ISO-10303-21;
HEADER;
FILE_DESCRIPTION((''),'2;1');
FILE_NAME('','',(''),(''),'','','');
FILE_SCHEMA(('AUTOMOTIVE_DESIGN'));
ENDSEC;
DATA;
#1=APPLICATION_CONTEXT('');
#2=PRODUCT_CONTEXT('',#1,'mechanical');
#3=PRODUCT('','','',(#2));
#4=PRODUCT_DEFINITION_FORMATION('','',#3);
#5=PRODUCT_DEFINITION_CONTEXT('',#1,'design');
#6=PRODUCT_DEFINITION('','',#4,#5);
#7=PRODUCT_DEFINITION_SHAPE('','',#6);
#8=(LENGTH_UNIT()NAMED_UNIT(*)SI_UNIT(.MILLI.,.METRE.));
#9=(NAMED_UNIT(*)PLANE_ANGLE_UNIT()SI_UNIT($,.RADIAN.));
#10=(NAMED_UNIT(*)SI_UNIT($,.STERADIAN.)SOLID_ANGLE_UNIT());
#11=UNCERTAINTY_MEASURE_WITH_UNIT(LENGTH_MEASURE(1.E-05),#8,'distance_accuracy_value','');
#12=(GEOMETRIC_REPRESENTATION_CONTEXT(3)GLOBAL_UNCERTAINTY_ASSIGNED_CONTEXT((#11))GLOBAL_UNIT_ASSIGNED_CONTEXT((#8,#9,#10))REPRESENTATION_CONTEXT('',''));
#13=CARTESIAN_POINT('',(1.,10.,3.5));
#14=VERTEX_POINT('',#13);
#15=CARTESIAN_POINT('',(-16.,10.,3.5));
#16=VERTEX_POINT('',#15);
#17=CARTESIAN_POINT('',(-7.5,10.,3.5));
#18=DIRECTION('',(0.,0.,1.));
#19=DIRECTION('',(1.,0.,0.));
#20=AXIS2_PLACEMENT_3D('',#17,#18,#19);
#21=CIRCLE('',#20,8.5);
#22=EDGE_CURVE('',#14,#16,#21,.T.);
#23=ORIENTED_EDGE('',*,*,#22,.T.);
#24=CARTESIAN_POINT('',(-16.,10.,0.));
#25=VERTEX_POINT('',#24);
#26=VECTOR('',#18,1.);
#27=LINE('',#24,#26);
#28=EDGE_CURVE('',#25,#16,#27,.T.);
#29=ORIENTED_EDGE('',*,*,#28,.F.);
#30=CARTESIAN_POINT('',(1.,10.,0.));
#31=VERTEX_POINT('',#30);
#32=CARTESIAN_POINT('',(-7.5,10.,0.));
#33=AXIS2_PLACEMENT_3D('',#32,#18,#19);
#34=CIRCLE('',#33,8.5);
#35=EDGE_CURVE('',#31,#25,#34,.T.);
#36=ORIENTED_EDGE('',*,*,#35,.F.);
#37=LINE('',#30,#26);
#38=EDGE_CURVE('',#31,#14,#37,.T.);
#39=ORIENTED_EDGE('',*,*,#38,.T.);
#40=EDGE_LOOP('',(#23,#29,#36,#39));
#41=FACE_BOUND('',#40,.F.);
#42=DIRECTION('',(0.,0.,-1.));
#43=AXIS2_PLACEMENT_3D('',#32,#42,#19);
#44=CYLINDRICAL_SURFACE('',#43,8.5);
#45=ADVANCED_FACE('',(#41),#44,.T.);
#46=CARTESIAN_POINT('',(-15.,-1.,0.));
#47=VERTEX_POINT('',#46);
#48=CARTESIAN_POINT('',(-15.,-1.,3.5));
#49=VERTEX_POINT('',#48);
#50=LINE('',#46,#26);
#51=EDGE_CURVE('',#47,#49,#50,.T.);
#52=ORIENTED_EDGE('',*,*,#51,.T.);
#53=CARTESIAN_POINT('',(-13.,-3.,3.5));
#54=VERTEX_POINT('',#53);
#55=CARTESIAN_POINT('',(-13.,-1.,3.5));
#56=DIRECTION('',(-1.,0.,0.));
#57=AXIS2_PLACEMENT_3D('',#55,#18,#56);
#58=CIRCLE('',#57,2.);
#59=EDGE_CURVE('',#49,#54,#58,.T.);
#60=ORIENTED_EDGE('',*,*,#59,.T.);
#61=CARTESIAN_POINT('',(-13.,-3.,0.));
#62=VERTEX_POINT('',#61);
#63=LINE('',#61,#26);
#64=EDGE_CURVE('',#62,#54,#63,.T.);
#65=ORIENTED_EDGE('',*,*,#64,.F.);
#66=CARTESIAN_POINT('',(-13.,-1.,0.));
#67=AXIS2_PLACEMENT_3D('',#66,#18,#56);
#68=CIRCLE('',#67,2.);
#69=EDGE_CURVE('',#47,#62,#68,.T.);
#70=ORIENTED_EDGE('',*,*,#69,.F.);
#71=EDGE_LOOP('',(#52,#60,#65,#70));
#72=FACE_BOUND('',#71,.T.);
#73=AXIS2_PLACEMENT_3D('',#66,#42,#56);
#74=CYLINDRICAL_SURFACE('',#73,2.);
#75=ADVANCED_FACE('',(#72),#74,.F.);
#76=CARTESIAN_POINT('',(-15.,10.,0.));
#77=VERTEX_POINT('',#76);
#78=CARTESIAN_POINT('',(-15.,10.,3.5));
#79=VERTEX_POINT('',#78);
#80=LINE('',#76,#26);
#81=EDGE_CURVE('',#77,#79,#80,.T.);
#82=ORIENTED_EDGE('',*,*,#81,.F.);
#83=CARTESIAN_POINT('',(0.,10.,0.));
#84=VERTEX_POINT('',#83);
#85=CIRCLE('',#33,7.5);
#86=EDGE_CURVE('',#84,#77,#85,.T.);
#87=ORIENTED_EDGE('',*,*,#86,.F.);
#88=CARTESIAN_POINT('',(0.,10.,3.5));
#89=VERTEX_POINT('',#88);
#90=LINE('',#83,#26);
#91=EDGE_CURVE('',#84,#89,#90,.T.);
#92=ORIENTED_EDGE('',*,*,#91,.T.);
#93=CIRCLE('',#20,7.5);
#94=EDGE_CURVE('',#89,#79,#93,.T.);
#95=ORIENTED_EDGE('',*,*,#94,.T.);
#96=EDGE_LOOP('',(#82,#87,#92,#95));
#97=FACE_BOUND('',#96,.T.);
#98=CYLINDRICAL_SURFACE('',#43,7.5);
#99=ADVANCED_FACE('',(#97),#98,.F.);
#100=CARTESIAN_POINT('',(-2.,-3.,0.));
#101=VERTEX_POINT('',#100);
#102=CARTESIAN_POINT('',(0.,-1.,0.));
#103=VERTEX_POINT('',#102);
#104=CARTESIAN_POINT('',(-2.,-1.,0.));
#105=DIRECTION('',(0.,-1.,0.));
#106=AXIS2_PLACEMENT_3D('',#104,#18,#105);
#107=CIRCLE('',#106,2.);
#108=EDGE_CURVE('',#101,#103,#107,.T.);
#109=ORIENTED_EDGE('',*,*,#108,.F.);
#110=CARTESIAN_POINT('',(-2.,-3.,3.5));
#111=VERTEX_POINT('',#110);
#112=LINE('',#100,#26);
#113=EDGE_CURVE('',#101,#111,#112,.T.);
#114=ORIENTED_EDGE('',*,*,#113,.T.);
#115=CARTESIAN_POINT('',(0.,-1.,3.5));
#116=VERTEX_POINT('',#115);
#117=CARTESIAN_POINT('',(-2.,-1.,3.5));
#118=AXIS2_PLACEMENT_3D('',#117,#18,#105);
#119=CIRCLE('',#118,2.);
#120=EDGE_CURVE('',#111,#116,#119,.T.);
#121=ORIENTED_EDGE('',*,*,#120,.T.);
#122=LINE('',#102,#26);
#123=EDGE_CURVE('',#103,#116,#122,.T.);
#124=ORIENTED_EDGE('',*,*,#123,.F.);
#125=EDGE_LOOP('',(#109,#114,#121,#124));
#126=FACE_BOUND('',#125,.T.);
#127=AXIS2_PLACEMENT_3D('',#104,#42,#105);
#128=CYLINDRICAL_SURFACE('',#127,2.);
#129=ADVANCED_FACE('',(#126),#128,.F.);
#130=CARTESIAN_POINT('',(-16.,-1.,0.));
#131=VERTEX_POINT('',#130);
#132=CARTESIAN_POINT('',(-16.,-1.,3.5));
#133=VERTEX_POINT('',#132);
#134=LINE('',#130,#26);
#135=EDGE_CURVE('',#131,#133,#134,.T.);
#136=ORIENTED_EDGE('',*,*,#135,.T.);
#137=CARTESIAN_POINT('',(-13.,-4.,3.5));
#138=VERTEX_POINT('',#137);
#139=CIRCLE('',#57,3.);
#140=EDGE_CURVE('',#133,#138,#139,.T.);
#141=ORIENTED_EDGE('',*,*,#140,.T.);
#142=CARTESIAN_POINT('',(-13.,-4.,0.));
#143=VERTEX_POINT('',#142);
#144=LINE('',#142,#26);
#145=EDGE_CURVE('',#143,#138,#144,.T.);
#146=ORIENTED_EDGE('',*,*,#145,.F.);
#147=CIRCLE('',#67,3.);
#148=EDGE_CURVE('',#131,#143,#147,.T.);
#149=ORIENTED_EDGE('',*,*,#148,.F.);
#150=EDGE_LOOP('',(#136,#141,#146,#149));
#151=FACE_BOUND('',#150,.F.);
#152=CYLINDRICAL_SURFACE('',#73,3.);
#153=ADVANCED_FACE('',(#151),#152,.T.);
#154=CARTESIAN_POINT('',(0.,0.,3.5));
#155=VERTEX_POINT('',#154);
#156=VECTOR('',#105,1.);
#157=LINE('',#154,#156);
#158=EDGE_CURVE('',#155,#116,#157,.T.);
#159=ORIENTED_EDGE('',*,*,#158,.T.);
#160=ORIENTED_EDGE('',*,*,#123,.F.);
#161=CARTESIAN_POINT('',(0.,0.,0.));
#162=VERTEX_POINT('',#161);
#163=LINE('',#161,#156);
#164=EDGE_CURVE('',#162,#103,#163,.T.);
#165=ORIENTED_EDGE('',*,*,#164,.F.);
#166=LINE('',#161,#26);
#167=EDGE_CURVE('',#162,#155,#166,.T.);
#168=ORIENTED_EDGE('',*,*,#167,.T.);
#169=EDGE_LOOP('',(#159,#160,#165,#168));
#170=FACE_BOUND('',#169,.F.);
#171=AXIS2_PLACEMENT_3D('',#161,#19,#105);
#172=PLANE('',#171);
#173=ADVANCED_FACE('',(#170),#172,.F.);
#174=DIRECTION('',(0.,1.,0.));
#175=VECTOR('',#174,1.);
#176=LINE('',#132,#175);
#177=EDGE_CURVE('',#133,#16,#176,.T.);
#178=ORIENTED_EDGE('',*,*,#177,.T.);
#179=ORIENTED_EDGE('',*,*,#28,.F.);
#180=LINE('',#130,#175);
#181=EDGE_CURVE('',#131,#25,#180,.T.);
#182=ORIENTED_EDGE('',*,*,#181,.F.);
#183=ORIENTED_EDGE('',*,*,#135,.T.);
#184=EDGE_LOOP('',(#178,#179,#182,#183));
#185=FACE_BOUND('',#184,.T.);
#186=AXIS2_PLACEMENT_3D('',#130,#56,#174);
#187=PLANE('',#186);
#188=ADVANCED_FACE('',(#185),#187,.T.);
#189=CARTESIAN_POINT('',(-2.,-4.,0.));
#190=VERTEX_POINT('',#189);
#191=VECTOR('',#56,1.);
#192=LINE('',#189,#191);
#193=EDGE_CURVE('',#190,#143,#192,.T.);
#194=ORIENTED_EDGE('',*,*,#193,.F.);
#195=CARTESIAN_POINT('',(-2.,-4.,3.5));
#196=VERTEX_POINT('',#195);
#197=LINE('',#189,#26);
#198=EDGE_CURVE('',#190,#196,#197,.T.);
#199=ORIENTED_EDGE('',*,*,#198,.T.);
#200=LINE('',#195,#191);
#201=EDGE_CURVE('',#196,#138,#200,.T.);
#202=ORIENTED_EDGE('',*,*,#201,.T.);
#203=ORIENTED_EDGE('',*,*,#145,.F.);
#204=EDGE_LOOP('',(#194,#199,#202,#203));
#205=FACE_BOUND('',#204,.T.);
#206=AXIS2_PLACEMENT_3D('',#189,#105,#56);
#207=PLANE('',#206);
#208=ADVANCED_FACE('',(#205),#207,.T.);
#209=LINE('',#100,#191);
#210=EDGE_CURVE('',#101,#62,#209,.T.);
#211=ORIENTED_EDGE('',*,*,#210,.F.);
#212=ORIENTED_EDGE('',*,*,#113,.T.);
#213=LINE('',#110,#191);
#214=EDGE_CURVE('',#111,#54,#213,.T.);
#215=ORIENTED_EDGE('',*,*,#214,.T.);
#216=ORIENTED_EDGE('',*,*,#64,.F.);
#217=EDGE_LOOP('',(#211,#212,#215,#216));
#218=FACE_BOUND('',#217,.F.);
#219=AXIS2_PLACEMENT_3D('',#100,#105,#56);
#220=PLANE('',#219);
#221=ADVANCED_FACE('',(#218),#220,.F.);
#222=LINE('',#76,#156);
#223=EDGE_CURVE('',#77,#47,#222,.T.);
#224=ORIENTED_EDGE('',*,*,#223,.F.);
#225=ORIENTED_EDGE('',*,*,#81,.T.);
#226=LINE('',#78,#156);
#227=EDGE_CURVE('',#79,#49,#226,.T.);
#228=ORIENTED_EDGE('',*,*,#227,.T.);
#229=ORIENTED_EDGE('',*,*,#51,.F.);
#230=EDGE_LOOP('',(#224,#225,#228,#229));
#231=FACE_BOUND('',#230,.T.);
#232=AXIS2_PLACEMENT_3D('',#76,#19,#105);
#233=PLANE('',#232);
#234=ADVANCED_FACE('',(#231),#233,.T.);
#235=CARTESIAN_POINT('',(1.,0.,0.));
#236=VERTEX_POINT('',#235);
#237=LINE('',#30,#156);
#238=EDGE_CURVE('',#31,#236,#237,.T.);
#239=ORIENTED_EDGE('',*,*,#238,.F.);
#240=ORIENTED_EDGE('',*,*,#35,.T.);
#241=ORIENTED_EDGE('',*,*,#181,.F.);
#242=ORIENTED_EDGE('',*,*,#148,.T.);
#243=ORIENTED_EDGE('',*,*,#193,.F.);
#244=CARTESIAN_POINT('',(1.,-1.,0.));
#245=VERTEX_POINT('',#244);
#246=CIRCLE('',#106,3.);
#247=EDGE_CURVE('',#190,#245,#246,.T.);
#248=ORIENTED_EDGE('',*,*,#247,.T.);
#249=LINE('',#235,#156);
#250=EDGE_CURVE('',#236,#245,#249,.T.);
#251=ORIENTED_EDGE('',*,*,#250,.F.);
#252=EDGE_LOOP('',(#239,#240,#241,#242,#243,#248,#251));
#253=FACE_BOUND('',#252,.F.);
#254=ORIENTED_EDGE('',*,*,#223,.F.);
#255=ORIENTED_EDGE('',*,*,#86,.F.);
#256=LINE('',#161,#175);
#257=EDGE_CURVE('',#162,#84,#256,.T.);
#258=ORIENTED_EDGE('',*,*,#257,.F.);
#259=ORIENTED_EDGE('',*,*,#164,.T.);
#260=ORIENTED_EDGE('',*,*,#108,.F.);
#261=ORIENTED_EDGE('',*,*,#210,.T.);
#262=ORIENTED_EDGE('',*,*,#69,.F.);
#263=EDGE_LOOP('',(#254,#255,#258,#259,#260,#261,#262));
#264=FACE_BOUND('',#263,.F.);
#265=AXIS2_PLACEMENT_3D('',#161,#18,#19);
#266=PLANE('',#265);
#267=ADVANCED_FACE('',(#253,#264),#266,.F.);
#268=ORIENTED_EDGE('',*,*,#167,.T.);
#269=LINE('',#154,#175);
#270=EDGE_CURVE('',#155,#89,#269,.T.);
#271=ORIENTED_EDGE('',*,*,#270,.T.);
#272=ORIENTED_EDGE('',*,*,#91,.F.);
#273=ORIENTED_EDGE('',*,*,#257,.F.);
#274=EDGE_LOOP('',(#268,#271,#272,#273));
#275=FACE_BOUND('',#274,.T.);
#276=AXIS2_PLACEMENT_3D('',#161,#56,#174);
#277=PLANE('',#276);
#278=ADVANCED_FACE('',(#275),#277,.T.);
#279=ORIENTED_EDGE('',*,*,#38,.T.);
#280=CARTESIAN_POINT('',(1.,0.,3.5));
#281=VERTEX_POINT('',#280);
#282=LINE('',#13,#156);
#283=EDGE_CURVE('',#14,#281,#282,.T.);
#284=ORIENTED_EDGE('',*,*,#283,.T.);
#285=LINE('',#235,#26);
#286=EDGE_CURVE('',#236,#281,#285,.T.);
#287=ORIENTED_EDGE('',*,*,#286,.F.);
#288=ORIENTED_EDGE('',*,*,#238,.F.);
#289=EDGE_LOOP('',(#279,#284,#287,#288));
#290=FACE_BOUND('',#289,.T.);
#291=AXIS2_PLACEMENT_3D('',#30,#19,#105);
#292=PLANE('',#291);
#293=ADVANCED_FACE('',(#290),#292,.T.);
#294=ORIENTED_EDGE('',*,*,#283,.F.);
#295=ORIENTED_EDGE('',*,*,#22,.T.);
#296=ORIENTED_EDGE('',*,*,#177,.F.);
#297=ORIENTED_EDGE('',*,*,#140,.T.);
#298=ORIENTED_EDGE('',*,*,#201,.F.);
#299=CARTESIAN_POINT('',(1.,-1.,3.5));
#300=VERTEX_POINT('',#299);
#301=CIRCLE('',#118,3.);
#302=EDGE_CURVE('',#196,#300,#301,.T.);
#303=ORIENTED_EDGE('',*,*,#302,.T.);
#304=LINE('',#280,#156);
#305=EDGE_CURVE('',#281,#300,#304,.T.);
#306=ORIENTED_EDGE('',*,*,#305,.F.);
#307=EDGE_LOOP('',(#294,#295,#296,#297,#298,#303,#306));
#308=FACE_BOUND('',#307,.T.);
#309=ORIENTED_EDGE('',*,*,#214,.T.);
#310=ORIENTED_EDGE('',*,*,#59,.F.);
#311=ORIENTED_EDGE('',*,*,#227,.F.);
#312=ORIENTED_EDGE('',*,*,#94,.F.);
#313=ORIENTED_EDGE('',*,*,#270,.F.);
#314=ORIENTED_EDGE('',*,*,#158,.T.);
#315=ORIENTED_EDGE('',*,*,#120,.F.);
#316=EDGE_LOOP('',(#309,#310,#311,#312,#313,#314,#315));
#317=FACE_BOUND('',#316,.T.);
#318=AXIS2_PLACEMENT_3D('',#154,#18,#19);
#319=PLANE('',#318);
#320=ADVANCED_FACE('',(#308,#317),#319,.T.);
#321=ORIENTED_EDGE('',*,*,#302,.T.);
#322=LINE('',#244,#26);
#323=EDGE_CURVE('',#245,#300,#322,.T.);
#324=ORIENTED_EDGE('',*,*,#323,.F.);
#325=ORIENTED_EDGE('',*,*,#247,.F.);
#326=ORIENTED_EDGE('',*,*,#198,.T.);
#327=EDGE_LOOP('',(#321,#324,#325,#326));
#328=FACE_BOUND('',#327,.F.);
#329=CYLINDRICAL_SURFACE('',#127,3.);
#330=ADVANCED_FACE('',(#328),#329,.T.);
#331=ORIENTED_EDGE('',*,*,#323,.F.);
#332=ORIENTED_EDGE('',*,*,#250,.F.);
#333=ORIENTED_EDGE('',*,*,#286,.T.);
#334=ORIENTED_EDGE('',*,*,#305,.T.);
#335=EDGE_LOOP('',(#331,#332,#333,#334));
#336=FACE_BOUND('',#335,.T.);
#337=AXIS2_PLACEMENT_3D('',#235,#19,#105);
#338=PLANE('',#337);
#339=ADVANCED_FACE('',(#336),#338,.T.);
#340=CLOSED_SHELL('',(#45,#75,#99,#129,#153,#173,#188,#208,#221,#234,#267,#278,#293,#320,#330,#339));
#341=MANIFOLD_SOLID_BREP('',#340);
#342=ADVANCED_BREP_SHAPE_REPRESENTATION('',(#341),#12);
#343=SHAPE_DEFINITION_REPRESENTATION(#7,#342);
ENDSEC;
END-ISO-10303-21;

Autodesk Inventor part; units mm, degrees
ref_plane "YZ Plane" through (0, 0, 0) normal (1, 0, 0) x (0, 1, 0)
ref_plane "XZ Plane" through (0, 0, 0) normal (0, 1, 0) x (-1, 0, 0)
ref_plane "XY Plane" through (0, 0, 0) normal (0, 0, 1) x (1, 0, 0)
sketch "Sketch1" plane through (0, 0, 0) normal (0, 0, 1) x (1, 0, 0)
  line L0 (1.5, -5) -> (-15, -5) construction
  line L1 (1.5, 0) -> (1.5, -5) construction
  line L2 (0, 0) -> (1.5, 0) construction
  line L3 (0, 0) -> (0, -1) construction
  arc A0 (-2, -3) -> (0, -1) centre (-2, -1) ccw construction
  line L4 (-2, -3) -> (-13, -3) construction
  arc A1 (-15, -1) -> (-13, -3) centre (-13, -1) ccw construction
  line L5 (-15, -5) -> (-15, -1) construction
  circle A2 centre (-7.5, 10) radius 7.5 construction
  line L6 (307.7386, 4.8534) -> (307.7386, -5.1466) projected
  line L7 (307.7386, -5.1466) -> (302.0236, -5.1466) projected
  line L8 (302.0236, -5.1466) -> (302.0236, 4.8534) projected
  line L9 (302.0236, 4.8534) -> (307.7386, 4.8534) projected
  circle A3 centre (304.8811, -40.1466) radius 1.5 projected
  line L10 (307.7386, -75.1466) -> (307.7386, -85.1466) projected
  line L11 (307.7386, -85.1466) -> (302.0236, -85.1466) projected
  line L12 (302.0236, -85.1466) -> (302.0236, -75.1466) projected
  line L13 (302.0236, -75.1466) -> (307.7386, -75.1466) projected
  line L14 (307.3811, 34.8534) -> (307.3811, 40.5684) projected
  line L15 (307.3811, 40.5684) -> (317.3811, 40.5684) projected
  line L16 (317.3811, 40.5684) -> (317.3811, 34.8534) projected
  line L17 (317.3811, 34.8534) -> (307.3811, 34.8534) projected
  line L18 (107.3811, 34.8534) -> (107.3811, 40.5684) projected
  line L19 (107.3811, 40.5684) -> (117.3811, 40.5684) projected
  line L20 (117.3811, 40.5684) -> (117.3811, 34.8534) projected
  line L21 (117.3811, 34.8534) -> (107.3811, 34.8534) projected
  line L22 (-92.6189, 34.8534) -> (-92.6189, 40.5684) projected
  line L23 (-92.6189, 40.5684) -> (-82.6189, 40.5684) projected
  line L24 (-82.6189, 40.5684) -> (-82.6189, 34.8534) projected
  line L25 (-82.6189, 34.8534) -> (-92.6189, 34.8534) projected
  line L26 (-128.6914, -75.1466) -> (-122.9764, -75.1466) projected
  line L27 (-122.9764, -75.1466) -> (-122.9764, -85.1466) projected
  line L28 (-122.9764, -85.1466) -> (-128.6914, -85.1466) projected
  line L29 (-128.6914, -85.1466) -> (-128.6914, -75.1466) projected
  line L30 (-57.6189, -120.8616) -> (-57.6189, -115.1466) projected
  line L31 (-57.6189, -115.1466) -> (-47.6189, -115.1466) projected
  line L32 (-47.6189, -115.1466) -> (-47.6189, -120.8616) projected
  line L33 (-47.6189, -120.8616) -> (-57.6189, -120.8616) projected
  line L34 (142.3811, -120.8616) -> (142.3811, -115.1466) projected
  line L35 (142.3811, -115.1466) -> (152.3811, -115.1466) projected
  line L36 (152.3811, -115.1466) -> (152.3811, -120.8616) projected
  line L37 (152.3811, -120.8616) -> (142.3811, -120.8616) projected
  line L38 (342.3811, -120.8616) -> (342.3811, -115.1466) projected
  line L39 (342.3811, -115.1466) -> (352.3811, -115.1466) projected
  line L40 (352.3811, -115.1466) -> (352.3811, -120.8616) projected
  line L41 (352.3811, -120.8616) -> (342.3811, -120.8616) projected
  circle A4 centre (129.8811, 37.7109) radius 1.5 projected
  circle A5 centre (-125.8339, -40.1466) radius 1.5 projected
  circle A6 centre (129.8811, -118.0041) radius 1.5 projected
  circle A7 centre (329.8811, -118.0041) radius 1.5 projected
  circle A8 centre (-70.1189, -118.0041) radius 1.5 projected
  circle A9 centre (-70.1189, 37.7109) radius 1.5 projected
  circle A10 centre (329.8811, 37.7109) radius 1.5 projected
  line L42 (307.3811, -120.8616) -> (307.3811, -115.1466) projected
  line L43 (307.3811, -115.1466) -> (317.3811, -115.1466) projected
  line L44 (317.3811, -115.1466) -> (317.3811, -120.8616) projected
  line L45 (317.3811, -120.8616) -> (307.3811, -120.8616) projected
  line L46 (107.3811, -120.8616) -> (107.3811, -115.1466) projected
  line L47 (107.3811, -115.1466) -> (117.3811, -115.1466) projected
  line L48 (117.3811, -115.1466) -> (117.3811, -120.8616) projected
  line L49 (117.3811, -120.8616) -> (107.3811, -120.8616) projected
  line L50 (-92.6189, -120.8616) -> (-92.6189, -115.1466) projected
  line L51 (-92.6189, -115.1466) -> (-82.6189, -115.1466) projected
  line L52 (-82.6189, -115.1466) -> (-82.6189, -120.8616) projected
  line L53 (-82.6189, -120.8616) -> (-92.6189, -120.8616) projected
  line L54 (-128.6914, 4.8534) -> (-122.9764, 4.8534) projected
  line L55 (-122.9764, 4.8534) -> (-122.9764, -5.1466) projected
  line L56 (-122.9764, -5.1466) -> (-128.6914, -5.1466) projected
  line L57 (-128.6914, -5.1466) -> (-128.6914, 4.8534) projected
  line L58 (-57.6189, 34.8534) -> (-57.6189, 40.5684) projected
  line L59 (-57.6189, 40.5684) -> (-47.6189, 40.5684) projected
  line L60 (-47.6189, 40.5684) -> (-47.6189, 34.8534) projected
  line L61 (-47.6189, 34.8534) -> (-57.6189, 34.8534) projected
  line L62 (142.3811, 34.8534) -> (142.3811, 40.5684) projected
  line L63 (142.3811, 40.5684) -> (152.3811, 40.5684) projected
  line L64 (152.3811, 40.5684) -> (152.3811, 34.8534) projected
  line L65 (152.3811, 34.8534) -> (142.3811, 34.8534) projected
  line L66 (342.3811, 34.8534) -> (342.3811, 40.5684) projected
  line L67 (342.3811, 40.5684) -> (352.3811, 40.5684) projected
  line L68 (352.3811, 40.5684) -> (352.3811, 34.8534) projected
  line L69 (352.3811, 34.8534) -> (342.3811, 34.8534) projected
  arc A11 (-128.6914, 43.5684) -> (-131.6914, 40.5684) centre (-128.6914, 40.5684) ccw projected
  line L70 (-131.6914, 40.5684) -> (-131.6914, -120.8616) projected
  arc A12 (-131.6914, -120.8616) -> (-128.6914, -123.8616) centre (-128.6914, -120.8616) ccw projected
  line L71 (-128.6914, -123.8616) -> (-81.6914, -123.8616) projected
  arc A13 (-26.3042, -126.9388) -> (-81.6914, -123.8616) centre (-81.6914, -623.8616) ccw projected
  line L72 (-26.3042, -126.9388) -> (277.3514, -160.7844) projected
  arc A14 (277.3514, -160.7844) -> (332.7386, -163.8616) centre (332.7386, 336.1384) ccw projected
  line L73 (332.7386, -163.8616) -> (382.7386, -163.8616) projected
  line L74 (382.7386, -163.8616) -> (382.7386, 83.5684) projected
  line L75 (382.7386, 83.5684) -> (332.7386, 83.5684) projected
  arc A15 (332.7386, 83.5684) -> (277.3514, 80.4912) centre (332.7386, -416.4316) ccw projected
  line L76 (277.3514, 80.4912) -> (-26.3042, 46.6456) projected
  arc A16 (-81.6914, 43.5684) -> (-26.3042, 46.6456) centre (-81.6914, 543.5684) ccw projected
  line L77 (-81.6914, 43.5684) -> (-128.6914, 43.5684) projected
  line L78 (0, 0) -> (0, 10)
  arc A17 (0, 10) -> (-15, 10) centre (-7.5, 10) ccw
  line L79 (-15, 10) -> (-15, -1)
  line L80 (0, 0) -> (0, -1)
  arc A18 (-2, -3) -> (0, -1) centre (-2, -1) ccw
  line L81 (-2, -3) -> (-13, -3)
  arc A19 (-15, -1) -> (-13, -3) centre (-13, -1) ccw
  line L82 (1, 10) -> (1, 0)
  line L83 (1, 0) -> (1, -1)
  arc A20 (-2, -4) -> (1, -1) centre (-2, -1) ccw
  line L84 (-2, -4) -> (-13, -4)
  arc A21 (-16, -1) -> (-13, -4) centre (-13, -1) ccw
  line L85 (-16, -1) -> (-16, 10)
  arc A22 (1, 10) -> (-16, 10) centre (-7.5, 10) ccw
  dimension "d0" = 1
extrude "Extrusion1" add sketch "Sketch1" along normal blind 3.5 contours L82 L83 A20 L84 A21 L85 A22
properties part number "ZIP TIE EFFECTOR"
